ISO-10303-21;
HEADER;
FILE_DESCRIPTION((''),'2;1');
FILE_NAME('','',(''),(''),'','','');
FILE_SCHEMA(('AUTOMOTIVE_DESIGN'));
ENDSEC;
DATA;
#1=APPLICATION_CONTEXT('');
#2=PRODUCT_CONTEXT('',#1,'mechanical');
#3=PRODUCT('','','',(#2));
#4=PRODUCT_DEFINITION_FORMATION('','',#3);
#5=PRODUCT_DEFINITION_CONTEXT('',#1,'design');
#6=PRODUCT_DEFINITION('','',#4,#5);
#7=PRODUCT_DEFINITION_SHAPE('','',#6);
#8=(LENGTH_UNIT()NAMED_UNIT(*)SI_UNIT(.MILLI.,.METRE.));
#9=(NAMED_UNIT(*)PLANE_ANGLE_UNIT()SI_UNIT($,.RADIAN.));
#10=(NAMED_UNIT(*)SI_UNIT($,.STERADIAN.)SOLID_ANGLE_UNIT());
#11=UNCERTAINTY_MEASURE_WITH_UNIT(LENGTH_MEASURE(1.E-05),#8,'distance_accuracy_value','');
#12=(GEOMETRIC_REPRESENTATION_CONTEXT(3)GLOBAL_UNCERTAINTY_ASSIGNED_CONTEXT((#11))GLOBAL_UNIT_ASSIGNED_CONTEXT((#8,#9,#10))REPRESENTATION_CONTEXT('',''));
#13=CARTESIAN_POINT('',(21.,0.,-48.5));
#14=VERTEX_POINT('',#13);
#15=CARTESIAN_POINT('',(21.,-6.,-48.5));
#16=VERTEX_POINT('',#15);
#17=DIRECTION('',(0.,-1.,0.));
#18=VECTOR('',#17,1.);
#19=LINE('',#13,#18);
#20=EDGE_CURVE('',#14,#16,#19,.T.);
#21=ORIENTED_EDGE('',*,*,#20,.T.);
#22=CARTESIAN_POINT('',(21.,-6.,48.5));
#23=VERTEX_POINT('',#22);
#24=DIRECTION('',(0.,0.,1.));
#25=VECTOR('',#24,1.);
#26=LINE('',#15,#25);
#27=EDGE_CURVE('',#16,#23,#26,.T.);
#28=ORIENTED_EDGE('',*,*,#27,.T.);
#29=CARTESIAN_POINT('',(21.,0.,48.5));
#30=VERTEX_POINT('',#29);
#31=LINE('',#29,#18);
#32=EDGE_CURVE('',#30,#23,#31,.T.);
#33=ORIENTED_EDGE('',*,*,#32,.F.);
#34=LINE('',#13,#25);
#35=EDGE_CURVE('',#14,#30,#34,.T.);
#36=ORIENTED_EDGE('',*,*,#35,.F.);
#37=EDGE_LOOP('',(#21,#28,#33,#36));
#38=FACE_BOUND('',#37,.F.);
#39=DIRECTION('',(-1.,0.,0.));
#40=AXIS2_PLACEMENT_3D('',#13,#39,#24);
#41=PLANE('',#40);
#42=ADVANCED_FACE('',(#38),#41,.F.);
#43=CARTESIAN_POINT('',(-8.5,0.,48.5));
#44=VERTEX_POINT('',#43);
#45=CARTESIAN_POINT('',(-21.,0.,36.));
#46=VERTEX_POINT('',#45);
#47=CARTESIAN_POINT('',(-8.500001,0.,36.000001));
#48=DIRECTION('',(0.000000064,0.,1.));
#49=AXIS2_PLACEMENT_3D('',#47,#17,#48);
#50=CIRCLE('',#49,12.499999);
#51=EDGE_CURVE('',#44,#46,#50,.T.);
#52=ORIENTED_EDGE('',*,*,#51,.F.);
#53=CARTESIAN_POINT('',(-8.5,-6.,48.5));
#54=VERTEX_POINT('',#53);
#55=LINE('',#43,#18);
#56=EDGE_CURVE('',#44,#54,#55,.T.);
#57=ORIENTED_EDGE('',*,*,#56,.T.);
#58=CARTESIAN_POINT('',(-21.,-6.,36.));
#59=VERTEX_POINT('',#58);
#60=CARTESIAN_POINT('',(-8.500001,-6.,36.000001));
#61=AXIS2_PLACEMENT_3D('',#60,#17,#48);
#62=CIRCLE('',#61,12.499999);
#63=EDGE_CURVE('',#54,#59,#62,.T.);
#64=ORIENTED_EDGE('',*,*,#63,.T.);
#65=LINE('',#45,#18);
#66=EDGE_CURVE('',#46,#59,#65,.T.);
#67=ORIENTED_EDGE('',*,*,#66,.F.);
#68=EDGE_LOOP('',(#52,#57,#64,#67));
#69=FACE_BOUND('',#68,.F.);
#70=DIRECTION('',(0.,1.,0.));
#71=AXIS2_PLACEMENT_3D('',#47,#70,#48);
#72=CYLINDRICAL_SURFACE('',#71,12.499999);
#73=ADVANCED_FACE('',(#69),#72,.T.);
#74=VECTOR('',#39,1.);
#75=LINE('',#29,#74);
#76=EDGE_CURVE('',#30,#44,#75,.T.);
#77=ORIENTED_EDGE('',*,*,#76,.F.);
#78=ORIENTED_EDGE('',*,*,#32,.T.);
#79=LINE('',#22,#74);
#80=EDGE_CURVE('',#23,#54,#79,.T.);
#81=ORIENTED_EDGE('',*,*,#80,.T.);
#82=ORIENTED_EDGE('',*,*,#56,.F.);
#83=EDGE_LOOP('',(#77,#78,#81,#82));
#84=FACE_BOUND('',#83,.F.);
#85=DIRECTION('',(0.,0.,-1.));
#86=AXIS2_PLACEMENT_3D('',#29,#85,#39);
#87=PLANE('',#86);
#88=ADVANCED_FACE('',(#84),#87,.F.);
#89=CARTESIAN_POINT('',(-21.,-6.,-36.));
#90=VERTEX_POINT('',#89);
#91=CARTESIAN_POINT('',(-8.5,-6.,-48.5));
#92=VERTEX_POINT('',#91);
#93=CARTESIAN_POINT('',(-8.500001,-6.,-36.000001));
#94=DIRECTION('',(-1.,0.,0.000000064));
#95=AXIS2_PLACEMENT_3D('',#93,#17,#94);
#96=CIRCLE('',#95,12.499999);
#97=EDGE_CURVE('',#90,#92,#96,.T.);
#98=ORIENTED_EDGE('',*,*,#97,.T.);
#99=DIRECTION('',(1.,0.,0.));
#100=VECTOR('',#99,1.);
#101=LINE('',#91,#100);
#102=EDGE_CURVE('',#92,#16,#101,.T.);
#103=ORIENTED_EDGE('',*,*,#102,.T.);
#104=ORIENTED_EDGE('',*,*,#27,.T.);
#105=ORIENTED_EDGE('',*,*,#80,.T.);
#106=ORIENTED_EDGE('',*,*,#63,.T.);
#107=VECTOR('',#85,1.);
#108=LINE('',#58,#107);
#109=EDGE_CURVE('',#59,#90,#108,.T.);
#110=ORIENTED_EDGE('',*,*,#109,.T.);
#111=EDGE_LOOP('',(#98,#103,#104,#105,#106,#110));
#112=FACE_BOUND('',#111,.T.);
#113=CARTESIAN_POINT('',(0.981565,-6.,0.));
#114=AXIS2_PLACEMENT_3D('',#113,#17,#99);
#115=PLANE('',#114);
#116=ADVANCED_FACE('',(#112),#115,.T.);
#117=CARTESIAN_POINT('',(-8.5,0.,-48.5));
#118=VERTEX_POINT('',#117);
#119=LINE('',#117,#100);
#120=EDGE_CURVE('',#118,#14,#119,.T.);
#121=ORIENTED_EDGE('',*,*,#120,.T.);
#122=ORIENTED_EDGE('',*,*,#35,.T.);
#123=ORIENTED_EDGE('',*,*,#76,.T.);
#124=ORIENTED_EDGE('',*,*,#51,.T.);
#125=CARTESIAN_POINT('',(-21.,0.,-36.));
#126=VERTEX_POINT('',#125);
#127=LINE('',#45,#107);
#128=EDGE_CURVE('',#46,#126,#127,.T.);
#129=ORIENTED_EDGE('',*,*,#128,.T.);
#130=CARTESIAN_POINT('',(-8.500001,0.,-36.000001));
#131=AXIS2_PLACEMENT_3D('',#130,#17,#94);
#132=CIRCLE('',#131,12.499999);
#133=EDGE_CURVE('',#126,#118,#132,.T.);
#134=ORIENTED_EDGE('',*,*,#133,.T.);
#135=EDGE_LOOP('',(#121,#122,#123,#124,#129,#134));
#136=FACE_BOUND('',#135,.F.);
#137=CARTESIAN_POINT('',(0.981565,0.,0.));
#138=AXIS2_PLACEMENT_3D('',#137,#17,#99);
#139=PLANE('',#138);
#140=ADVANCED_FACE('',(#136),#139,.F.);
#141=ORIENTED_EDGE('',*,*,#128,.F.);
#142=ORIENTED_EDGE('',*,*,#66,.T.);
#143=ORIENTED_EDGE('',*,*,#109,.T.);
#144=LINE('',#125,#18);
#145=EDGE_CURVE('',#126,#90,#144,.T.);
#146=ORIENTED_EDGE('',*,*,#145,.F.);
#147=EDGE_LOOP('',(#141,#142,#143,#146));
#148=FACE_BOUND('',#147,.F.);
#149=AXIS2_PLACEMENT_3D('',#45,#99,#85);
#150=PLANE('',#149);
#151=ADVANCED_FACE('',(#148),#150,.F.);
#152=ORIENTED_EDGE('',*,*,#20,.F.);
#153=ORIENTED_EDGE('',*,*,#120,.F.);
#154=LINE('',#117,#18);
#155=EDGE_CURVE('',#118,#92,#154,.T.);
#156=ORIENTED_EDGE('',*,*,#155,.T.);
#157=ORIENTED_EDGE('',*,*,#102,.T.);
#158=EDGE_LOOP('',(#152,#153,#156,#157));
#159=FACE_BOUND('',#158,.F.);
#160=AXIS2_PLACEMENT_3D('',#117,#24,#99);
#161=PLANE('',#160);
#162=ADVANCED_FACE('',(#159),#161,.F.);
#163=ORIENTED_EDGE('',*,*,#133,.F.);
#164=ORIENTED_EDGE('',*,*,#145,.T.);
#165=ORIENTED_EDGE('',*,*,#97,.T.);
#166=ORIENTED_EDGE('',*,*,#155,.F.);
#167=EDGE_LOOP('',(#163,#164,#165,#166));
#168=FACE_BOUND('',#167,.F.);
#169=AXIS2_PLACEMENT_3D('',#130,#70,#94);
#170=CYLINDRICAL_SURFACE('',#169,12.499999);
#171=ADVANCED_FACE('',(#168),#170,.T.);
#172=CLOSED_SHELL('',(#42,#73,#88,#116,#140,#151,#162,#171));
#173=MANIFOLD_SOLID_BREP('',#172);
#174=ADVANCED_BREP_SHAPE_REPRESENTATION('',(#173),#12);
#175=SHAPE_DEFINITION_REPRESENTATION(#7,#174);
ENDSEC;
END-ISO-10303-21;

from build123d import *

# Parameters (mm, degrees)
F1_DEPTH = 6


with BuildPart() as f1:
    # F0 (on Front) → F1 (new body)
    with BuildSketch(Plane.XZ):
        with BuildLine():
            Line((21, -48.5), (21, 48.5))
            Line((21, 48.5), (-8.5, 48.5))
            ThreePointArc((-8.5, 48.5), (-17.338835, 44.838835), (-21, 36))
            Line((-21, 36), (-21, -36))
            ThreePointArc((-21, -36), (-17.338835, -44.838835), (-8.5, -48.5))
            Line((-8.5, -48.5), (21, -48.5))
        make_face()
    extrude(amount=F1_DEPTH)


solid = f1.part
